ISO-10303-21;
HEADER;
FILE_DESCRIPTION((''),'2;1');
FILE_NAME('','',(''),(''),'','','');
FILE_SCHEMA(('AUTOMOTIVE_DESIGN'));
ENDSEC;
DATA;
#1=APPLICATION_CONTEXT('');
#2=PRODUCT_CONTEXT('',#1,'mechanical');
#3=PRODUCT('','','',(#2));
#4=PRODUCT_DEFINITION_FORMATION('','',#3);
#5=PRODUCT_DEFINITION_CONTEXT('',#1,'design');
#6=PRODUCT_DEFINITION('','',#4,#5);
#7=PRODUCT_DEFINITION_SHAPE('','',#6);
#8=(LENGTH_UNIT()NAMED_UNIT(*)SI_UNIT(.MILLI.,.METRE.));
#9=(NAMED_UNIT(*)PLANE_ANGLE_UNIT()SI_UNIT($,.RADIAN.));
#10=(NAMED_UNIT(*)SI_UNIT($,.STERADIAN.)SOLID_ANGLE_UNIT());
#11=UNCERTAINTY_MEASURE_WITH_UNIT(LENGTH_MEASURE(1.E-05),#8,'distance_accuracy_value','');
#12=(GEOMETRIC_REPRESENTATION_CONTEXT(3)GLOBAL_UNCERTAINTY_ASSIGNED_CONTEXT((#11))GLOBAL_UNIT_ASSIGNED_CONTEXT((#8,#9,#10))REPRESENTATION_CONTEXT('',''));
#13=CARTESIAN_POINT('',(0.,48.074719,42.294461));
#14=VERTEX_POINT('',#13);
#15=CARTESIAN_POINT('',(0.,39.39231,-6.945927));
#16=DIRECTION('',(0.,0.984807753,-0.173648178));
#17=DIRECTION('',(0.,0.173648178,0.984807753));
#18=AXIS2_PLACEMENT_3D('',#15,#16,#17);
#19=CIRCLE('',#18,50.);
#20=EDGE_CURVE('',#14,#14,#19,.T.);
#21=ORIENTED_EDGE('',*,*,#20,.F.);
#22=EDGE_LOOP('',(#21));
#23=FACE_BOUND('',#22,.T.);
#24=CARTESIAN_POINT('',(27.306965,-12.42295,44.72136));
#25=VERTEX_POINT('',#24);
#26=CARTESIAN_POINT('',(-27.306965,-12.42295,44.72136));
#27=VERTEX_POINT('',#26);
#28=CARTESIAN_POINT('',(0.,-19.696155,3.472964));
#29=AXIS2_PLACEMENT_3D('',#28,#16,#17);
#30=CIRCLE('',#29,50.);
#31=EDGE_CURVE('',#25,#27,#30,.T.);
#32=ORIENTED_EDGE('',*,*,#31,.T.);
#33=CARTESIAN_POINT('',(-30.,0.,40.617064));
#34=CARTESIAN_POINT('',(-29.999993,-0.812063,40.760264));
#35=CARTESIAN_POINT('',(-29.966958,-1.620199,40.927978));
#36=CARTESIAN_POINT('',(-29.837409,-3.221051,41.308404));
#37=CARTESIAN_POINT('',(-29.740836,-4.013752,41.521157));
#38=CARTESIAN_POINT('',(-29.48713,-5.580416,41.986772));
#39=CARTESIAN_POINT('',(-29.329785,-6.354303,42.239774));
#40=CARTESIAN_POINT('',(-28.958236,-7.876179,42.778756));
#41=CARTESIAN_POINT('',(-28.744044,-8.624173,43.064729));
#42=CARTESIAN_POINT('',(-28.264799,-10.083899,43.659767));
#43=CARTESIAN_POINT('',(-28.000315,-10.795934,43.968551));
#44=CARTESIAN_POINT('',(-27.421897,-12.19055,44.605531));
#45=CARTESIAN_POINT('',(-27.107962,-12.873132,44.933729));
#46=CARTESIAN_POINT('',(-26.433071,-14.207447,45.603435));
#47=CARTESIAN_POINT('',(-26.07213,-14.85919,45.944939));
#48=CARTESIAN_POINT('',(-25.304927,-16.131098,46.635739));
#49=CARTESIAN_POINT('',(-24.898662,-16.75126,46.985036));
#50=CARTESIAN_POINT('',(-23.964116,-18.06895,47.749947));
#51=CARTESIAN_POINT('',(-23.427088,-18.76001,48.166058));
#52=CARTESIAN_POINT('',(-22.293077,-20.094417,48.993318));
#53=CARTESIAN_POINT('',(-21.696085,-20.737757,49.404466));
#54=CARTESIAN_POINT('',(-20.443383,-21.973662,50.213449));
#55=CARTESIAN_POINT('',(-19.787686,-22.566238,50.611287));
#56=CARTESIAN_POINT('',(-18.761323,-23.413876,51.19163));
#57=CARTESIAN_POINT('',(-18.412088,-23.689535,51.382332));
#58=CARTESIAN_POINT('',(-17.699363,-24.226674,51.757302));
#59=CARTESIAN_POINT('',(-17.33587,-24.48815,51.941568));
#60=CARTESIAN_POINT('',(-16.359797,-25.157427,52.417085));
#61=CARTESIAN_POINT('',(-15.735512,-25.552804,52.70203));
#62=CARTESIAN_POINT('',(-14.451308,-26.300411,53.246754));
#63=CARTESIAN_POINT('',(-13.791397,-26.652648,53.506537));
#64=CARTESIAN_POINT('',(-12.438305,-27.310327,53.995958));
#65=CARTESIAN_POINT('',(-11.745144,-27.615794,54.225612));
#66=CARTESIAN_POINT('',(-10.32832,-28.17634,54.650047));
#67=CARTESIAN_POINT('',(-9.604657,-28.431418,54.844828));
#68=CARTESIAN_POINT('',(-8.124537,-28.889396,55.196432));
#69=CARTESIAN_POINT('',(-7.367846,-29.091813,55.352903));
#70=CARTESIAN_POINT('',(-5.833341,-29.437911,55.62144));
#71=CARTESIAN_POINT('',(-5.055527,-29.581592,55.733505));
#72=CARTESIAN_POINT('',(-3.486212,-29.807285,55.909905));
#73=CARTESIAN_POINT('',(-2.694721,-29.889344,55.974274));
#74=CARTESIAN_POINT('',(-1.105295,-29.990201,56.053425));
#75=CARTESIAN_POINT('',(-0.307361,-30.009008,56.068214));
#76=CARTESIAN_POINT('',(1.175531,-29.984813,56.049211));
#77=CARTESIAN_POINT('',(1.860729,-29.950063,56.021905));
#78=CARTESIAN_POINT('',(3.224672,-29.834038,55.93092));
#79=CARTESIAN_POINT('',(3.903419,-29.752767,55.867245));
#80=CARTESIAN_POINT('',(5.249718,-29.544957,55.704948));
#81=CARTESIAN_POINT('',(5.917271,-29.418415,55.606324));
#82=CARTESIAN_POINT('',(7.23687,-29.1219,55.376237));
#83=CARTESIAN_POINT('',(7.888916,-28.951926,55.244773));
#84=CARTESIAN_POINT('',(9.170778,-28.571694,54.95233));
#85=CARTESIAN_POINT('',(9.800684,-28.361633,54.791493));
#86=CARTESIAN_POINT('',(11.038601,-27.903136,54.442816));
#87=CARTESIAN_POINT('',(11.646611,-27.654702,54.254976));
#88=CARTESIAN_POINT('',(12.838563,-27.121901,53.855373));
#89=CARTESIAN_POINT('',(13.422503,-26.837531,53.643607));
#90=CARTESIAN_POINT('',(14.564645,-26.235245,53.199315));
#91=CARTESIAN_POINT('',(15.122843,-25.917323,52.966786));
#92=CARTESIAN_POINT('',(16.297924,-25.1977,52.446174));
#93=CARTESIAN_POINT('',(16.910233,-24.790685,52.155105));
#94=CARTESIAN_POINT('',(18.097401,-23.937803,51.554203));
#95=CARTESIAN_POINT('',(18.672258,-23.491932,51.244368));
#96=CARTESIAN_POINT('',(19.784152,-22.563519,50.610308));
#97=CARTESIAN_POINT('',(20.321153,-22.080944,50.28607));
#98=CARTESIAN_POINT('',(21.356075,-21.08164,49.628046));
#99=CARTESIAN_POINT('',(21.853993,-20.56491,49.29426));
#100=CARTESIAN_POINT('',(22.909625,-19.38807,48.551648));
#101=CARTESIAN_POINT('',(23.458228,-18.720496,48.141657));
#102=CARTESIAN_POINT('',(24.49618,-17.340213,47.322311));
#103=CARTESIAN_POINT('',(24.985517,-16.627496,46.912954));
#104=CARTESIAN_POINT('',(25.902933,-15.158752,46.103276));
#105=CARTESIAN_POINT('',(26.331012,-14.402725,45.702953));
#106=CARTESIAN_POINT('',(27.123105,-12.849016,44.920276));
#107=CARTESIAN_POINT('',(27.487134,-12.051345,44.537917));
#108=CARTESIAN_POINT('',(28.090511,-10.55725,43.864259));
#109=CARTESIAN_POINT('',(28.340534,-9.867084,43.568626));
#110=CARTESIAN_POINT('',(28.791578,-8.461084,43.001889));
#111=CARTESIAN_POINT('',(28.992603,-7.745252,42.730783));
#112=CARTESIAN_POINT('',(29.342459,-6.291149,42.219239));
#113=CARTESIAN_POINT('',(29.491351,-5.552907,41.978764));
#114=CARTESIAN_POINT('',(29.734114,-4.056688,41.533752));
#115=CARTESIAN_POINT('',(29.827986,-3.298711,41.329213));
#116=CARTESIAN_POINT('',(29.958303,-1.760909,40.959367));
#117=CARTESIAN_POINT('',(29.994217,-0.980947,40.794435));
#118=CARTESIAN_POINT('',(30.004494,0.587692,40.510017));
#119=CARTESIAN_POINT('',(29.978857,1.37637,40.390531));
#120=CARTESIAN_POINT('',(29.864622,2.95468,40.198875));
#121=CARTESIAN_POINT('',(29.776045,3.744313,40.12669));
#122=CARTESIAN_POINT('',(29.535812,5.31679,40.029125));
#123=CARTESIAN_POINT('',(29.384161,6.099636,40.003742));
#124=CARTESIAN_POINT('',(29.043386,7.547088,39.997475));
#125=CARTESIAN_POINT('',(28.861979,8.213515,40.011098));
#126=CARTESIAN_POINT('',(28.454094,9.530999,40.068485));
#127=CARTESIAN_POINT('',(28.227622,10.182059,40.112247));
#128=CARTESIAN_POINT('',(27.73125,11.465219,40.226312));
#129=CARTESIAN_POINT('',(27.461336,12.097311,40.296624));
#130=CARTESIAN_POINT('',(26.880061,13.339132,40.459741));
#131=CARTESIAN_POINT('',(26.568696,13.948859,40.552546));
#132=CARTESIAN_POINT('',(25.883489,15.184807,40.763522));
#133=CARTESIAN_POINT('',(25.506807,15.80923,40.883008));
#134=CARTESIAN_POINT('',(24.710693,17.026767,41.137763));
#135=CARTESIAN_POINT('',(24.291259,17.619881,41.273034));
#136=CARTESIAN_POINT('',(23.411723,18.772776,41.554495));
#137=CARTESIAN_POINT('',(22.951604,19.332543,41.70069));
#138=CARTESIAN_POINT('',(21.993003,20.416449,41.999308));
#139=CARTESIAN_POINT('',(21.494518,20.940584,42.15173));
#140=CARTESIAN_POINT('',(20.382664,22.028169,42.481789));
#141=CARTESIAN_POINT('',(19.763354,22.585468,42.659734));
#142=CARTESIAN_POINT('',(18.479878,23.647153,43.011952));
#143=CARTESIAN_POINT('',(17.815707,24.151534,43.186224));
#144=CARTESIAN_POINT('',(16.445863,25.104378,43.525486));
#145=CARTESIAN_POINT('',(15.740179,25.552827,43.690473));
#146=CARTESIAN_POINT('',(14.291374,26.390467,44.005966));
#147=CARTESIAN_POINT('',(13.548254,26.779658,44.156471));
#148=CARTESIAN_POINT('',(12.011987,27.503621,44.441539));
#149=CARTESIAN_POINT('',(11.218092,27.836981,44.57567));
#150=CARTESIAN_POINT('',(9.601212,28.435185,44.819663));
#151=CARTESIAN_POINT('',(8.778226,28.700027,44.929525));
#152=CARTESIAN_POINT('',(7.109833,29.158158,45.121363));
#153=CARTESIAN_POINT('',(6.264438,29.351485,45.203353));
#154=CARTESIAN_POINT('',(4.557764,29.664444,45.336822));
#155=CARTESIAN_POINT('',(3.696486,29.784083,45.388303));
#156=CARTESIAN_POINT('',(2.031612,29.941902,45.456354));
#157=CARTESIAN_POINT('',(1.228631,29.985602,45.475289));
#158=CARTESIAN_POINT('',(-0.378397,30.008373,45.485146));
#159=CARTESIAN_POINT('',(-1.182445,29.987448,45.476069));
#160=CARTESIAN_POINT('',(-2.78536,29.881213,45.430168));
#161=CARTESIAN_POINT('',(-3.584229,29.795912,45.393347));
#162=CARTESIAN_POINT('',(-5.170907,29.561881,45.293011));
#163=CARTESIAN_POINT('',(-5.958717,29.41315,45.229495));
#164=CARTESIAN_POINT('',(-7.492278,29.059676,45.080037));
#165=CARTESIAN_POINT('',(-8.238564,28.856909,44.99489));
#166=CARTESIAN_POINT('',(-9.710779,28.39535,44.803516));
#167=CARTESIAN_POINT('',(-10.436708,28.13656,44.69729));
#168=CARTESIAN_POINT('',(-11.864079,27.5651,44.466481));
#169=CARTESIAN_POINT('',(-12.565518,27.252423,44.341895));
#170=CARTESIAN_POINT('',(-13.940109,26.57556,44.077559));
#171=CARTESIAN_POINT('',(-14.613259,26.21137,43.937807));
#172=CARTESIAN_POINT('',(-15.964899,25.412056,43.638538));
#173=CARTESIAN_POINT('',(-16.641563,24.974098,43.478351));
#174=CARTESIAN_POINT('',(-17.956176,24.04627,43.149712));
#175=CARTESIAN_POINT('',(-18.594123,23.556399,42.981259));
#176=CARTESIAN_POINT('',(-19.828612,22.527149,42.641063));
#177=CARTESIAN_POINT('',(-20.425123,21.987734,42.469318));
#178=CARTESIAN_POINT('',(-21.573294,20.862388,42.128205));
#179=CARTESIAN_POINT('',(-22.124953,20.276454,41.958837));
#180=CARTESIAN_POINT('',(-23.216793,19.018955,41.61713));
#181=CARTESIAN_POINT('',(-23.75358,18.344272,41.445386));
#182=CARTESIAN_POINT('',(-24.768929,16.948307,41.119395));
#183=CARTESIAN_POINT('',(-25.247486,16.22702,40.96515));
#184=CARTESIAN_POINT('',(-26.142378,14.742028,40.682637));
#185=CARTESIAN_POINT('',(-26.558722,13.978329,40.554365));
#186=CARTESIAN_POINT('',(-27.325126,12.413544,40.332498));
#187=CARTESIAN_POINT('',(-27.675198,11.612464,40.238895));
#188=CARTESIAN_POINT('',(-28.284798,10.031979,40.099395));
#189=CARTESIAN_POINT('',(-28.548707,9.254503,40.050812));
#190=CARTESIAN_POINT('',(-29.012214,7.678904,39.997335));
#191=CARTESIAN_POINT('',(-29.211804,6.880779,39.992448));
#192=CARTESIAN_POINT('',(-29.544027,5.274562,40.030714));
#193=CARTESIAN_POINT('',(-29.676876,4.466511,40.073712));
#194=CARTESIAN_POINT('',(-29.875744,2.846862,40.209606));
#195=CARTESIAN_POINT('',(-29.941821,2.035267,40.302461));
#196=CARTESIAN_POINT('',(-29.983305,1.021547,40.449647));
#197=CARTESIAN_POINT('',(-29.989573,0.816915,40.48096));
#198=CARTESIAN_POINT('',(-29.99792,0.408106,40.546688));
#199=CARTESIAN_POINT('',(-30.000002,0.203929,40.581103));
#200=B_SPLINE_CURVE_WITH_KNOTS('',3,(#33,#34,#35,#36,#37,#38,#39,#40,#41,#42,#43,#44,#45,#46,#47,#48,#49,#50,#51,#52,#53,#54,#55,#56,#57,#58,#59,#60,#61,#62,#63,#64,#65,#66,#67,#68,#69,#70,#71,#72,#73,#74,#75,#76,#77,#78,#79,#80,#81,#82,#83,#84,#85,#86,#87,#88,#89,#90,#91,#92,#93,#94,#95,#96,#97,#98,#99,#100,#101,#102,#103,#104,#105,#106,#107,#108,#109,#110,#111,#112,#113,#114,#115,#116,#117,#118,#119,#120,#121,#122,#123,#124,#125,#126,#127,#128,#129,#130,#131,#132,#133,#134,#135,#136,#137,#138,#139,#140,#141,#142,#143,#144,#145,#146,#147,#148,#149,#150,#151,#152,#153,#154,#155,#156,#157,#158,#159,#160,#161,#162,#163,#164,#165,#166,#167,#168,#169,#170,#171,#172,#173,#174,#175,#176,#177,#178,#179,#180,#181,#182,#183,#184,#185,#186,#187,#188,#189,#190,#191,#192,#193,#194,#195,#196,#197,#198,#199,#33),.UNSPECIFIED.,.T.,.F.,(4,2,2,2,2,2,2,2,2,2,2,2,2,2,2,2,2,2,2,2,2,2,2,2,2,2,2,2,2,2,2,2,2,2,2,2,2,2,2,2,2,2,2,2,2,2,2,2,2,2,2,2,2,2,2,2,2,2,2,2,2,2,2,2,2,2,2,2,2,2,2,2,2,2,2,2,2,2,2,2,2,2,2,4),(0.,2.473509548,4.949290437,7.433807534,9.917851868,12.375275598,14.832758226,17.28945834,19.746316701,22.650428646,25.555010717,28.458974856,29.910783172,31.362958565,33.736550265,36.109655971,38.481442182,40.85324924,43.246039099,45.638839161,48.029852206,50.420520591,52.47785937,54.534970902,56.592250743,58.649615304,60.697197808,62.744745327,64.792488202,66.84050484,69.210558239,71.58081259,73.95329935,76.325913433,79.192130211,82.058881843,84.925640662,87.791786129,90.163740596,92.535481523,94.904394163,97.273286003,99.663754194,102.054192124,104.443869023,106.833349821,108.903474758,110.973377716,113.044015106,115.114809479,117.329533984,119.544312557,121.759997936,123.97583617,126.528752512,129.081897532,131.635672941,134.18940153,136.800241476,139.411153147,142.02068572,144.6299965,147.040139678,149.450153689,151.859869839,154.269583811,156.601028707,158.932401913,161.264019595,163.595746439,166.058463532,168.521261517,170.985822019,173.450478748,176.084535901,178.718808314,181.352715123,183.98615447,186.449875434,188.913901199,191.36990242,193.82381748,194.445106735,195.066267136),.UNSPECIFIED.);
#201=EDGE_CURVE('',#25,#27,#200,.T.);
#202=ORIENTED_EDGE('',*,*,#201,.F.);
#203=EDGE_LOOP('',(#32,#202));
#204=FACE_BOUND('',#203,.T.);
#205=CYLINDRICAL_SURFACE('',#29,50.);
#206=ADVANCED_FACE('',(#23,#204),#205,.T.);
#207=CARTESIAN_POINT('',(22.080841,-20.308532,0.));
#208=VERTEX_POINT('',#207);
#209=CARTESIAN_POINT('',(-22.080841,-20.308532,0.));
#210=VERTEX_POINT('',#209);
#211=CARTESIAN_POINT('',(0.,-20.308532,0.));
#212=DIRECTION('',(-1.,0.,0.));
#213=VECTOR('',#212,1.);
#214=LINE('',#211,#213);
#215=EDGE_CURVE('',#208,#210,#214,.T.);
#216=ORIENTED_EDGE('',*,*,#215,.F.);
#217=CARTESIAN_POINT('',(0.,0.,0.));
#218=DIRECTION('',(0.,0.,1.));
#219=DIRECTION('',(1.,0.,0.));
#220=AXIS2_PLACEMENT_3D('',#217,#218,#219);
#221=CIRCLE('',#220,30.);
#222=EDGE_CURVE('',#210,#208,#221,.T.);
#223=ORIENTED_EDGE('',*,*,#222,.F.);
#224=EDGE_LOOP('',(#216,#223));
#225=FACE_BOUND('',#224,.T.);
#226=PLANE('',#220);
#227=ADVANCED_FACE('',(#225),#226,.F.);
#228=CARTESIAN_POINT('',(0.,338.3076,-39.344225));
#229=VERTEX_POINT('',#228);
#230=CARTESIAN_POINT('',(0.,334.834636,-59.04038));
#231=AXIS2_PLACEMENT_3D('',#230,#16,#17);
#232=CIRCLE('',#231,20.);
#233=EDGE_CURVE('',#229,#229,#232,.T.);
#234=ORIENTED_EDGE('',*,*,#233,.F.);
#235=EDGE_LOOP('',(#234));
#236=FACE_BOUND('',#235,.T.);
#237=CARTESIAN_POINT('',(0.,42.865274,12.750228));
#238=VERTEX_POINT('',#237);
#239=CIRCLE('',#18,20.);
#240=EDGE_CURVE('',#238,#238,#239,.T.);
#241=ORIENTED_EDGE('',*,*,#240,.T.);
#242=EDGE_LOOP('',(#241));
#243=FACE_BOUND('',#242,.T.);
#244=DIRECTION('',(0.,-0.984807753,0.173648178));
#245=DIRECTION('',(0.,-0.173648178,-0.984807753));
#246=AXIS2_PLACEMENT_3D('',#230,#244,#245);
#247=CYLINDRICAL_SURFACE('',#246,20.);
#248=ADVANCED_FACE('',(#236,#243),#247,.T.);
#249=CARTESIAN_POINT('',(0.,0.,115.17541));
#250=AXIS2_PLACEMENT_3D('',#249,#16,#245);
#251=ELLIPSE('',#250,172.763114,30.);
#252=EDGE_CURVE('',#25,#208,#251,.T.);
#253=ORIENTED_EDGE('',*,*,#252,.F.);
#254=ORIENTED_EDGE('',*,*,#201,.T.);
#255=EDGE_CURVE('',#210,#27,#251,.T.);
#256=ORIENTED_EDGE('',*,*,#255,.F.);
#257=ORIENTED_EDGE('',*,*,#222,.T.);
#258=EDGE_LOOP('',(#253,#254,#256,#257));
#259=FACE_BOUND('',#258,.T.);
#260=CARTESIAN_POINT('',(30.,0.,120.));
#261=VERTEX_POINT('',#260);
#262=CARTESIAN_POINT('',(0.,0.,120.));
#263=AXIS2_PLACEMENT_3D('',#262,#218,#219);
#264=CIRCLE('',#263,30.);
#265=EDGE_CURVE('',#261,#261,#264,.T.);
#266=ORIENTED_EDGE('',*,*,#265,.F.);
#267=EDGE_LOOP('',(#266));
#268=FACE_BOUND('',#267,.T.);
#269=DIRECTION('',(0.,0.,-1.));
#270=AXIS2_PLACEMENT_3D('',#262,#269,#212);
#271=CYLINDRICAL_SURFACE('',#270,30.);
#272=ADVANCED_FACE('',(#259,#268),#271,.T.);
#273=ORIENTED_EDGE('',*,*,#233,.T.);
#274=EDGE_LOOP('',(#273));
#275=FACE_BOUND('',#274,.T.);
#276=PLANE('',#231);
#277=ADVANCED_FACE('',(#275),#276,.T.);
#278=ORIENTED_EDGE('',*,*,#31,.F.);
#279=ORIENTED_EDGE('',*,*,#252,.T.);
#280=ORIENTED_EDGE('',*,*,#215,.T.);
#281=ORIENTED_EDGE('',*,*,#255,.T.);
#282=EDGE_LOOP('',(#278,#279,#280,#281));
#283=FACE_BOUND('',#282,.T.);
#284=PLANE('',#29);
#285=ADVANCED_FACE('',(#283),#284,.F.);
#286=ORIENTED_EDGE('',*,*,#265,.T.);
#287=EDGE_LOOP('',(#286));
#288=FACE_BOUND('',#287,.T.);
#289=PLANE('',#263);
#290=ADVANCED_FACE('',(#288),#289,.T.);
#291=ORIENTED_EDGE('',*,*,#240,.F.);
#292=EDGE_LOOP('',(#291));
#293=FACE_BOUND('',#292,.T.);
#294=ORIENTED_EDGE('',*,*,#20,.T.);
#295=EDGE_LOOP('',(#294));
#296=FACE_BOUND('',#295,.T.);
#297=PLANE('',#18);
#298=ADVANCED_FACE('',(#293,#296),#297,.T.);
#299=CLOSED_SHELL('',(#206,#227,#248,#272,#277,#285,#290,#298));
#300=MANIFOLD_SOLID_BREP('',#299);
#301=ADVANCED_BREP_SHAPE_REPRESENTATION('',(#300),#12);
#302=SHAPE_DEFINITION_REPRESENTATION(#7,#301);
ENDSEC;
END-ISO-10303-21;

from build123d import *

# Parameters (mm, degrees)
SKETCH1_R                = 30
BOSS_EXTRUDE1_DEPTH      = 120
BOSS_EXTRUDE2_DEPTH      = 40
BOSS_EXTRUDE2_DEPTH_BACK = 20
SKETCH2_R                = 50
SKETCH3_R                = 20
BOSS_EXTRUDE3_DEPTH      = 300


with BuildPart() as part:
    # Sketch1 → Boss-Extrude1 (new body)
    with BuildSketch(Plane.XY):
        Circle(SKETCH1_R)
    extrude(amount=BOSS_EXTRUDE1_DEPTH)

    # Sketch2 → Boss-Extrude2 (add, two sides: drawn at the far end of the back side and taken through both)
    with BuildSketch(Plane(origin=(0, 0, 0), x_dir=(-1, 0, 0), z_dir=(0, 0.984807753012208, -0.17364817766693072)).offset(-BOSS_EXTRUDE2_DEPTH_BACK)):
        Circle(SKETCH2_R)
    extrude(amount=BOSS_EXTRUDE2_DEPTH + BOSS_EXTRUDE2_DEPTH_BACK)

    # Sketch3 → Boss-Extrude3 (add)
    with BuildSketch(Plane(origin=(0, 39.39231012, -6.945927107), x_dir=(1, 0, 0), z_dir=(0, 0.9848077530122081, -0.17364817766693072))):
        Circle(SKETCH3_R)
    extrude(amount=BOSS_EXTRUDE3_DEPTH)


solid = part.part
